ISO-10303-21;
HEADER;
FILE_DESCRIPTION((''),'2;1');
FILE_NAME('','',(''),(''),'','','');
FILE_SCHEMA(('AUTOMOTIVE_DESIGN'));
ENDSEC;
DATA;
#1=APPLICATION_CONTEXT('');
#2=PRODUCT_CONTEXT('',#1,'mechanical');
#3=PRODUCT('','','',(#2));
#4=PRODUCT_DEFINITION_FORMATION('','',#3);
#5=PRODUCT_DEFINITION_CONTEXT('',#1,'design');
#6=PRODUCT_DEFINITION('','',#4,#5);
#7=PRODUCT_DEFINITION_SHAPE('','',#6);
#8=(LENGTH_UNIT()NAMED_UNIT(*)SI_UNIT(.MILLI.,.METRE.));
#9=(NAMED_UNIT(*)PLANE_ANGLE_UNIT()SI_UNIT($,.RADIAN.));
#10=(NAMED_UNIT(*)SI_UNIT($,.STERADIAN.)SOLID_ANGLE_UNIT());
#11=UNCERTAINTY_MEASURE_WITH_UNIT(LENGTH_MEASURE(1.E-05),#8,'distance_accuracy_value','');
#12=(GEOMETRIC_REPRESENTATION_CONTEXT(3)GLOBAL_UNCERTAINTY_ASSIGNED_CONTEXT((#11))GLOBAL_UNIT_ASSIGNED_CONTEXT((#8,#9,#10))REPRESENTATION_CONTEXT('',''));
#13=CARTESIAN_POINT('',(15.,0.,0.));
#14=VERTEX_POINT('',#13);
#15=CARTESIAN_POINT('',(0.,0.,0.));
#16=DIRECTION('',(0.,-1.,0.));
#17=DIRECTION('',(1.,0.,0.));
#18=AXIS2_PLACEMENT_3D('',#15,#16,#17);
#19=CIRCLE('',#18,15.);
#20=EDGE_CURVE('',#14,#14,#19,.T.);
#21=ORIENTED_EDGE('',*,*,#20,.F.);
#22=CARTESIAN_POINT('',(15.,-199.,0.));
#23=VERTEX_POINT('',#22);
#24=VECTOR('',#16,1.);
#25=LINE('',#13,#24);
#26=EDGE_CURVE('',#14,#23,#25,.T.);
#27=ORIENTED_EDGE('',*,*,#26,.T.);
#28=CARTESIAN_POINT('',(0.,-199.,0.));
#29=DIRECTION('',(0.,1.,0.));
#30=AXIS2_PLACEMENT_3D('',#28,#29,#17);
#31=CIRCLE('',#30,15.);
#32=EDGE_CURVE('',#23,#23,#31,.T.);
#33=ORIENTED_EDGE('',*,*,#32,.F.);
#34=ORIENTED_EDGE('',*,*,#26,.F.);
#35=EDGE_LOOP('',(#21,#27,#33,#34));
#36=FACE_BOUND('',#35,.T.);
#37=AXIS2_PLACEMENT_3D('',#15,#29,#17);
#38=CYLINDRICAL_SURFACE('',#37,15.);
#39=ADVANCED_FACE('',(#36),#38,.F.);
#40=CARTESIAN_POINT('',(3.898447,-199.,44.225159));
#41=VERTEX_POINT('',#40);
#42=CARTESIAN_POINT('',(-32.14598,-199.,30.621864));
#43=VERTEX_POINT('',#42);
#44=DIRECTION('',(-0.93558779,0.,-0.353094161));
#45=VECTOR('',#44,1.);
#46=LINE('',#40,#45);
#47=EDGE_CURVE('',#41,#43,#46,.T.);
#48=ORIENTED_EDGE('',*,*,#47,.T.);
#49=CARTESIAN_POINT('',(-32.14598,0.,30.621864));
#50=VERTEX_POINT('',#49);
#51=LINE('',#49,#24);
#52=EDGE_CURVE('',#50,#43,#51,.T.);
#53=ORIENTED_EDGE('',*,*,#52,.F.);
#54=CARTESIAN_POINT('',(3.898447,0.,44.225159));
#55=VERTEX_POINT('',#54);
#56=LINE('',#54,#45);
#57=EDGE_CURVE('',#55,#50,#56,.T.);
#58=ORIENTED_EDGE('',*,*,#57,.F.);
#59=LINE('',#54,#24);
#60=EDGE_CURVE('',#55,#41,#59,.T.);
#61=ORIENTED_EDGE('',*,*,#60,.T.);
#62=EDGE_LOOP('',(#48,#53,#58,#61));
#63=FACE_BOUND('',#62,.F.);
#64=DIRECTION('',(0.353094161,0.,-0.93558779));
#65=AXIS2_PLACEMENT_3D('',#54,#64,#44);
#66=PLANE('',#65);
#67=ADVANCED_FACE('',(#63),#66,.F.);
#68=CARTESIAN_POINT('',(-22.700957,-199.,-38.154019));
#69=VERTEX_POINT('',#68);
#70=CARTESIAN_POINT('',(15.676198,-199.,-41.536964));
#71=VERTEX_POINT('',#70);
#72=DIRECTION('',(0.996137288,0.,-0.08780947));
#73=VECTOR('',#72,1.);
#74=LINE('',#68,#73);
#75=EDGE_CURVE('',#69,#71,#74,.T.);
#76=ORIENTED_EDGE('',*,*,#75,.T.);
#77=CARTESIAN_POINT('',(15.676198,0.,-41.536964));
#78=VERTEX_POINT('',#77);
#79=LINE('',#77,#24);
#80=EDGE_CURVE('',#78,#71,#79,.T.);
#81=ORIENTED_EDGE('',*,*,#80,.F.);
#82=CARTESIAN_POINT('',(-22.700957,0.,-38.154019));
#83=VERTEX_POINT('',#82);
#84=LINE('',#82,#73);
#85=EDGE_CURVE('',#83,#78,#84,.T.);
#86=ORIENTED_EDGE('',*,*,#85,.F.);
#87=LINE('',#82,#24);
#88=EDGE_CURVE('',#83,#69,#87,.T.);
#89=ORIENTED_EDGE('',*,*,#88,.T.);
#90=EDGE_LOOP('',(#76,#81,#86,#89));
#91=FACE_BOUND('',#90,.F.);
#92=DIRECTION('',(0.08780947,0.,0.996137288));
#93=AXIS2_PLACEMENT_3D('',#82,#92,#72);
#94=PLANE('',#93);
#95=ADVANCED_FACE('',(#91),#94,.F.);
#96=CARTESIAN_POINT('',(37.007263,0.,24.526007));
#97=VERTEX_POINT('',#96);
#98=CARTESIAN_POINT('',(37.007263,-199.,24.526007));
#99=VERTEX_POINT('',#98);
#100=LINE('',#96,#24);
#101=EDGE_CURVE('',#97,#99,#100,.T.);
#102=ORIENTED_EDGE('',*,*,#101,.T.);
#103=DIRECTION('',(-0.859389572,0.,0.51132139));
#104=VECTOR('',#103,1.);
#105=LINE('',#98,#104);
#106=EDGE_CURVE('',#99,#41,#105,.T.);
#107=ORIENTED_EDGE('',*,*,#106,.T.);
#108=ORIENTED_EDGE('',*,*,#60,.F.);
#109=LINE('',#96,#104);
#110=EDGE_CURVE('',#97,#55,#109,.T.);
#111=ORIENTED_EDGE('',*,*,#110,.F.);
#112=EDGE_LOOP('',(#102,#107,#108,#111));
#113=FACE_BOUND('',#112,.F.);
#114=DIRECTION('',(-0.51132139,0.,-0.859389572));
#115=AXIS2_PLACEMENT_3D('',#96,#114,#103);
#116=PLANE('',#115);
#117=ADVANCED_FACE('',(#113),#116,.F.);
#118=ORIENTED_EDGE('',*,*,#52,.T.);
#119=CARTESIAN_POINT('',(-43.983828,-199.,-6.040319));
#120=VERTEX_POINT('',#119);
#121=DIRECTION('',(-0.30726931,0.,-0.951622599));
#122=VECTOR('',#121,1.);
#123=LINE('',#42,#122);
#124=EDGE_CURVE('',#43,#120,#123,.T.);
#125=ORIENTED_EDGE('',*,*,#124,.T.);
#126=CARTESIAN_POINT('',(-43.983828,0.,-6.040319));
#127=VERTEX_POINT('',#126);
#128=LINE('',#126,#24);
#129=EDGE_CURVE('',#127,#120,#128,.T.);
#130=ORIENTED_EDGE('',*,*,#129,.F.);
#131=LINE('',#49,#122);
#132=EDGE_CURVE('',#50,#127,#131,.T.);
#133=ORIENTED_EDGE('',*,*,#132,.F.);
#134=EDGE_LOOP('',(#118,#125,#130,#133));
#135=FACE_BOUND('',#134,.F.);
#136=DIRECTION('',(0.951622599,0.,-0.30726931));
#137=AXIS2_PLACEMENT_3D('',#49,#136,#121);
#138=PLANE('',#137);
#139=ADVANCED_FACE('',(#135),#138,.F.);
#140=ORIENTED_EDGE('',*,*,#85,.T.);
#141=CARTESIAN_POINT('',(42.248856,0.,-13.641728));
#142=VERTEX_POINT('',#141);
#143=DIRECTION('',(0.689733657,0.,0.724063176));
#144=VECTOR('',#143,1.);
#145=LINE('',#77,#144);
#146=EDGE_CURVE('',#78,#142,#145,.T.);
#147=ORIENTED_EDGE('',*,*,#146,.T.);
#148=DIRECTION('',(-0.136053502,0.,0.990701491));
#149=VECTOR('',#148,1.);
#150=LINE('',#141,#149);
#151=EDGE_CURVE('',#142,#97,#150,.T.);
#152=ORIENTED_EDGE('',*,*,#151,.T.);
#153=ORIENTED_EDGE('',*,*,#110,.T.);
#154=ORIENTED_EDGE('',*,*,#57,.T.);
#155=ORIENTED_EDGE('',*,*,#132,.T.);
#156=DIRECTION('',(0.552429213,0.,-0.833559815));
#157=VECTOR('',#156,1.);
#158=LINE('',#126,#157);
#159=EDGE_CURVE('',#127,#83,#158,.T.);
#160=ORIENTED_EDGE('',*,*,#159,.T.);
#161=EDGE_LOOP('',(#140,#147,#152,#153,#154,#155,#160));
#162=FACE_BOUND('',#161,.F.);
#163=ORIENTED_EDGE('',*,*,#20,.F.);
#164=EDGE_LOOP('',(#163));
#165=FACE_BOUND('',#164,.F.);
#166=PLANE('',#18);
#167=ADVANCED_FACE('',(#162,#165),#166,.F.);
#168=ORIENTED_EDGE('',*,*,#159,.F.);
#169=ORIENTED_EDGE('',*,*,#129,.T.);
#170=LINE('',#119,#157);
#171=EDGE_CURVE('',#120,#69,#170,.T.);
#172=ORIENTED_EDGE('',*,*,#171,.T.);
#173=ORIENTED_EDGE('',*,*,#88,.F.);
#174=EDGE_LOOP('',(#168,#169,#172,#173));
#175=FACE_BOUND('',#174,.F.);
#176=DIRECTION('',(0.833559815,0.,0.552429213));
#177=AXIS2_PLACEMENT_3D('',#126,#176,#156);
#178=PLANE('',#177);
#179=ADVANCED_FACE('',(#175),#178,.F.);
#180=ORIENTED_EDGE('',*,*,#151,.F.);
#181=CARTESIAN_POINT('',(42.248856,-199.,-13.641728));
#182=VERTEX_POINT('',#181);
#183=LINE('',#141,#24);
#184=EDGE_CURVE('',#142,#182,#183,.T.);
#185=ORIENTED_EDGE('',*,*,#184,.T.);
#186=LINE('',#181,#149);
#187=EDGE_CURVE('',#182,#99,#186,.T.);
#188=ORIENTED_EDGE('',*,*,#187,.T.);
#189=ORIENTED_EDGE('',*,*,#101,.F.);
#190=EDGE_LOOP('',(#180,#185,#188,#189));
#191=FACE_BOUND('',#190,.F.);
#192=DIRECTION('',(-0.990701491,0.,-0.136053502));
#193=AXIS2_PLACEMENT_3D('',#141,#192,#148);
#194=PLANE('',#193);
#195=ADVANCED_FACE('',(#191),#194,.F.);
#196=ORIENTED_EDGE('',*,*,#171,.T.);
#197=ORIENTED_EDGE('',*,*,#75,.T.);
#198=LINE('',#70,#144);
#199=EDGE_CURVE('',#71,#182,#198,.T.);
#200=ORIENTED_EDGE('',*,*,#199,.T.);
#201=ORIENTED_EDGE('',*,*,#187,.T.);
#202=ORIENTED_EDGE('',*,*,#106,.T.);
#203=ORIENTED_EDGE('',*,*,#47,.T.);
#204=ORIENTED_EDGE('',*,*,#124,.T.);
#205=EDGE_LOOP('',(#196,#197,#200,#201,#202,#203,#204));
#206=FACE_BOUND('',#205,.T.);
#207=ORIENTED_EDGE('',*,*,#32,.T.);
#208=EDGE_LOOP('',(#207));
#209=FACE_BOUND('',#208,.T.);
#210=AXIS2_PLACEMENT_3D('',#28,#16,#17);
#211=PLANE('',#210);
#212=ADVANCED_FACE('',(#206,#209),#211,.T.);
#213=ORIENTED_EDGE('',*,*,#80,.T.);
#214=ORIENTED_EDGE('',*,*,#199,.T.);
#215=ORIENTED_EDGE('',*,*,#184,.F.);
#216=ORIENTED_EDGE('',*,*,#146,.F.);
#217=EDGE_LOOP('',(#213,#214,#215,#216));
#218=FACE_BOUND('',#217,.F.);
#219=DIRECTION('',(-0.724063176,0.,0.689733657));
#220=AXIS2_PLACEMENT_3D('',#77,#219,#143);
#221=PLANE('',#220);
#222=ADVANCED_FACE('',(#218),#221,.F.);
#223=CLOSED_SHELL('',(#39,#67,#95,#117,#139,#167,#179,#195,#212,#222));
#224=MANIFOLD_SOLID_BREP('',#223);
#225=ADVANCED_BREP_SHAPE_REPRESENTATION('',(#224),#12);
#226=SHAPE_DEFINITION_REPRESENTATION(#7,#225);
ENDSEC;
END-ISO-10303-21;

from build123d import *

# Parameters (mm, degrees)
F1_DEPTH = 199
F2_R     = 15
F3_DEPTH = 199.001


with BuildPart() as f1:
    # F0 (on Front) → F1 (new body)
    with BuildSketch(Plane.XZ):
        Polygon((37.007263, 24.526007), (3.898447, 44.225159), (-32.14598, 30.621864), (-43.983828, -6.040319), (-22.700957, -38.154019), (15.676198, -41.536964), (42.248856, -13.641728), align=None)
    extrude(amount=F1_DEPTH)

    # F2 (on Front) → F3 (cut, through all)
    with BuildSketch(Plane.XZ):
        Circle(F2_R)
    extrude(amount=F3_DEPTH, mode=Mode.SUBTRACT)


solid = f1.part
